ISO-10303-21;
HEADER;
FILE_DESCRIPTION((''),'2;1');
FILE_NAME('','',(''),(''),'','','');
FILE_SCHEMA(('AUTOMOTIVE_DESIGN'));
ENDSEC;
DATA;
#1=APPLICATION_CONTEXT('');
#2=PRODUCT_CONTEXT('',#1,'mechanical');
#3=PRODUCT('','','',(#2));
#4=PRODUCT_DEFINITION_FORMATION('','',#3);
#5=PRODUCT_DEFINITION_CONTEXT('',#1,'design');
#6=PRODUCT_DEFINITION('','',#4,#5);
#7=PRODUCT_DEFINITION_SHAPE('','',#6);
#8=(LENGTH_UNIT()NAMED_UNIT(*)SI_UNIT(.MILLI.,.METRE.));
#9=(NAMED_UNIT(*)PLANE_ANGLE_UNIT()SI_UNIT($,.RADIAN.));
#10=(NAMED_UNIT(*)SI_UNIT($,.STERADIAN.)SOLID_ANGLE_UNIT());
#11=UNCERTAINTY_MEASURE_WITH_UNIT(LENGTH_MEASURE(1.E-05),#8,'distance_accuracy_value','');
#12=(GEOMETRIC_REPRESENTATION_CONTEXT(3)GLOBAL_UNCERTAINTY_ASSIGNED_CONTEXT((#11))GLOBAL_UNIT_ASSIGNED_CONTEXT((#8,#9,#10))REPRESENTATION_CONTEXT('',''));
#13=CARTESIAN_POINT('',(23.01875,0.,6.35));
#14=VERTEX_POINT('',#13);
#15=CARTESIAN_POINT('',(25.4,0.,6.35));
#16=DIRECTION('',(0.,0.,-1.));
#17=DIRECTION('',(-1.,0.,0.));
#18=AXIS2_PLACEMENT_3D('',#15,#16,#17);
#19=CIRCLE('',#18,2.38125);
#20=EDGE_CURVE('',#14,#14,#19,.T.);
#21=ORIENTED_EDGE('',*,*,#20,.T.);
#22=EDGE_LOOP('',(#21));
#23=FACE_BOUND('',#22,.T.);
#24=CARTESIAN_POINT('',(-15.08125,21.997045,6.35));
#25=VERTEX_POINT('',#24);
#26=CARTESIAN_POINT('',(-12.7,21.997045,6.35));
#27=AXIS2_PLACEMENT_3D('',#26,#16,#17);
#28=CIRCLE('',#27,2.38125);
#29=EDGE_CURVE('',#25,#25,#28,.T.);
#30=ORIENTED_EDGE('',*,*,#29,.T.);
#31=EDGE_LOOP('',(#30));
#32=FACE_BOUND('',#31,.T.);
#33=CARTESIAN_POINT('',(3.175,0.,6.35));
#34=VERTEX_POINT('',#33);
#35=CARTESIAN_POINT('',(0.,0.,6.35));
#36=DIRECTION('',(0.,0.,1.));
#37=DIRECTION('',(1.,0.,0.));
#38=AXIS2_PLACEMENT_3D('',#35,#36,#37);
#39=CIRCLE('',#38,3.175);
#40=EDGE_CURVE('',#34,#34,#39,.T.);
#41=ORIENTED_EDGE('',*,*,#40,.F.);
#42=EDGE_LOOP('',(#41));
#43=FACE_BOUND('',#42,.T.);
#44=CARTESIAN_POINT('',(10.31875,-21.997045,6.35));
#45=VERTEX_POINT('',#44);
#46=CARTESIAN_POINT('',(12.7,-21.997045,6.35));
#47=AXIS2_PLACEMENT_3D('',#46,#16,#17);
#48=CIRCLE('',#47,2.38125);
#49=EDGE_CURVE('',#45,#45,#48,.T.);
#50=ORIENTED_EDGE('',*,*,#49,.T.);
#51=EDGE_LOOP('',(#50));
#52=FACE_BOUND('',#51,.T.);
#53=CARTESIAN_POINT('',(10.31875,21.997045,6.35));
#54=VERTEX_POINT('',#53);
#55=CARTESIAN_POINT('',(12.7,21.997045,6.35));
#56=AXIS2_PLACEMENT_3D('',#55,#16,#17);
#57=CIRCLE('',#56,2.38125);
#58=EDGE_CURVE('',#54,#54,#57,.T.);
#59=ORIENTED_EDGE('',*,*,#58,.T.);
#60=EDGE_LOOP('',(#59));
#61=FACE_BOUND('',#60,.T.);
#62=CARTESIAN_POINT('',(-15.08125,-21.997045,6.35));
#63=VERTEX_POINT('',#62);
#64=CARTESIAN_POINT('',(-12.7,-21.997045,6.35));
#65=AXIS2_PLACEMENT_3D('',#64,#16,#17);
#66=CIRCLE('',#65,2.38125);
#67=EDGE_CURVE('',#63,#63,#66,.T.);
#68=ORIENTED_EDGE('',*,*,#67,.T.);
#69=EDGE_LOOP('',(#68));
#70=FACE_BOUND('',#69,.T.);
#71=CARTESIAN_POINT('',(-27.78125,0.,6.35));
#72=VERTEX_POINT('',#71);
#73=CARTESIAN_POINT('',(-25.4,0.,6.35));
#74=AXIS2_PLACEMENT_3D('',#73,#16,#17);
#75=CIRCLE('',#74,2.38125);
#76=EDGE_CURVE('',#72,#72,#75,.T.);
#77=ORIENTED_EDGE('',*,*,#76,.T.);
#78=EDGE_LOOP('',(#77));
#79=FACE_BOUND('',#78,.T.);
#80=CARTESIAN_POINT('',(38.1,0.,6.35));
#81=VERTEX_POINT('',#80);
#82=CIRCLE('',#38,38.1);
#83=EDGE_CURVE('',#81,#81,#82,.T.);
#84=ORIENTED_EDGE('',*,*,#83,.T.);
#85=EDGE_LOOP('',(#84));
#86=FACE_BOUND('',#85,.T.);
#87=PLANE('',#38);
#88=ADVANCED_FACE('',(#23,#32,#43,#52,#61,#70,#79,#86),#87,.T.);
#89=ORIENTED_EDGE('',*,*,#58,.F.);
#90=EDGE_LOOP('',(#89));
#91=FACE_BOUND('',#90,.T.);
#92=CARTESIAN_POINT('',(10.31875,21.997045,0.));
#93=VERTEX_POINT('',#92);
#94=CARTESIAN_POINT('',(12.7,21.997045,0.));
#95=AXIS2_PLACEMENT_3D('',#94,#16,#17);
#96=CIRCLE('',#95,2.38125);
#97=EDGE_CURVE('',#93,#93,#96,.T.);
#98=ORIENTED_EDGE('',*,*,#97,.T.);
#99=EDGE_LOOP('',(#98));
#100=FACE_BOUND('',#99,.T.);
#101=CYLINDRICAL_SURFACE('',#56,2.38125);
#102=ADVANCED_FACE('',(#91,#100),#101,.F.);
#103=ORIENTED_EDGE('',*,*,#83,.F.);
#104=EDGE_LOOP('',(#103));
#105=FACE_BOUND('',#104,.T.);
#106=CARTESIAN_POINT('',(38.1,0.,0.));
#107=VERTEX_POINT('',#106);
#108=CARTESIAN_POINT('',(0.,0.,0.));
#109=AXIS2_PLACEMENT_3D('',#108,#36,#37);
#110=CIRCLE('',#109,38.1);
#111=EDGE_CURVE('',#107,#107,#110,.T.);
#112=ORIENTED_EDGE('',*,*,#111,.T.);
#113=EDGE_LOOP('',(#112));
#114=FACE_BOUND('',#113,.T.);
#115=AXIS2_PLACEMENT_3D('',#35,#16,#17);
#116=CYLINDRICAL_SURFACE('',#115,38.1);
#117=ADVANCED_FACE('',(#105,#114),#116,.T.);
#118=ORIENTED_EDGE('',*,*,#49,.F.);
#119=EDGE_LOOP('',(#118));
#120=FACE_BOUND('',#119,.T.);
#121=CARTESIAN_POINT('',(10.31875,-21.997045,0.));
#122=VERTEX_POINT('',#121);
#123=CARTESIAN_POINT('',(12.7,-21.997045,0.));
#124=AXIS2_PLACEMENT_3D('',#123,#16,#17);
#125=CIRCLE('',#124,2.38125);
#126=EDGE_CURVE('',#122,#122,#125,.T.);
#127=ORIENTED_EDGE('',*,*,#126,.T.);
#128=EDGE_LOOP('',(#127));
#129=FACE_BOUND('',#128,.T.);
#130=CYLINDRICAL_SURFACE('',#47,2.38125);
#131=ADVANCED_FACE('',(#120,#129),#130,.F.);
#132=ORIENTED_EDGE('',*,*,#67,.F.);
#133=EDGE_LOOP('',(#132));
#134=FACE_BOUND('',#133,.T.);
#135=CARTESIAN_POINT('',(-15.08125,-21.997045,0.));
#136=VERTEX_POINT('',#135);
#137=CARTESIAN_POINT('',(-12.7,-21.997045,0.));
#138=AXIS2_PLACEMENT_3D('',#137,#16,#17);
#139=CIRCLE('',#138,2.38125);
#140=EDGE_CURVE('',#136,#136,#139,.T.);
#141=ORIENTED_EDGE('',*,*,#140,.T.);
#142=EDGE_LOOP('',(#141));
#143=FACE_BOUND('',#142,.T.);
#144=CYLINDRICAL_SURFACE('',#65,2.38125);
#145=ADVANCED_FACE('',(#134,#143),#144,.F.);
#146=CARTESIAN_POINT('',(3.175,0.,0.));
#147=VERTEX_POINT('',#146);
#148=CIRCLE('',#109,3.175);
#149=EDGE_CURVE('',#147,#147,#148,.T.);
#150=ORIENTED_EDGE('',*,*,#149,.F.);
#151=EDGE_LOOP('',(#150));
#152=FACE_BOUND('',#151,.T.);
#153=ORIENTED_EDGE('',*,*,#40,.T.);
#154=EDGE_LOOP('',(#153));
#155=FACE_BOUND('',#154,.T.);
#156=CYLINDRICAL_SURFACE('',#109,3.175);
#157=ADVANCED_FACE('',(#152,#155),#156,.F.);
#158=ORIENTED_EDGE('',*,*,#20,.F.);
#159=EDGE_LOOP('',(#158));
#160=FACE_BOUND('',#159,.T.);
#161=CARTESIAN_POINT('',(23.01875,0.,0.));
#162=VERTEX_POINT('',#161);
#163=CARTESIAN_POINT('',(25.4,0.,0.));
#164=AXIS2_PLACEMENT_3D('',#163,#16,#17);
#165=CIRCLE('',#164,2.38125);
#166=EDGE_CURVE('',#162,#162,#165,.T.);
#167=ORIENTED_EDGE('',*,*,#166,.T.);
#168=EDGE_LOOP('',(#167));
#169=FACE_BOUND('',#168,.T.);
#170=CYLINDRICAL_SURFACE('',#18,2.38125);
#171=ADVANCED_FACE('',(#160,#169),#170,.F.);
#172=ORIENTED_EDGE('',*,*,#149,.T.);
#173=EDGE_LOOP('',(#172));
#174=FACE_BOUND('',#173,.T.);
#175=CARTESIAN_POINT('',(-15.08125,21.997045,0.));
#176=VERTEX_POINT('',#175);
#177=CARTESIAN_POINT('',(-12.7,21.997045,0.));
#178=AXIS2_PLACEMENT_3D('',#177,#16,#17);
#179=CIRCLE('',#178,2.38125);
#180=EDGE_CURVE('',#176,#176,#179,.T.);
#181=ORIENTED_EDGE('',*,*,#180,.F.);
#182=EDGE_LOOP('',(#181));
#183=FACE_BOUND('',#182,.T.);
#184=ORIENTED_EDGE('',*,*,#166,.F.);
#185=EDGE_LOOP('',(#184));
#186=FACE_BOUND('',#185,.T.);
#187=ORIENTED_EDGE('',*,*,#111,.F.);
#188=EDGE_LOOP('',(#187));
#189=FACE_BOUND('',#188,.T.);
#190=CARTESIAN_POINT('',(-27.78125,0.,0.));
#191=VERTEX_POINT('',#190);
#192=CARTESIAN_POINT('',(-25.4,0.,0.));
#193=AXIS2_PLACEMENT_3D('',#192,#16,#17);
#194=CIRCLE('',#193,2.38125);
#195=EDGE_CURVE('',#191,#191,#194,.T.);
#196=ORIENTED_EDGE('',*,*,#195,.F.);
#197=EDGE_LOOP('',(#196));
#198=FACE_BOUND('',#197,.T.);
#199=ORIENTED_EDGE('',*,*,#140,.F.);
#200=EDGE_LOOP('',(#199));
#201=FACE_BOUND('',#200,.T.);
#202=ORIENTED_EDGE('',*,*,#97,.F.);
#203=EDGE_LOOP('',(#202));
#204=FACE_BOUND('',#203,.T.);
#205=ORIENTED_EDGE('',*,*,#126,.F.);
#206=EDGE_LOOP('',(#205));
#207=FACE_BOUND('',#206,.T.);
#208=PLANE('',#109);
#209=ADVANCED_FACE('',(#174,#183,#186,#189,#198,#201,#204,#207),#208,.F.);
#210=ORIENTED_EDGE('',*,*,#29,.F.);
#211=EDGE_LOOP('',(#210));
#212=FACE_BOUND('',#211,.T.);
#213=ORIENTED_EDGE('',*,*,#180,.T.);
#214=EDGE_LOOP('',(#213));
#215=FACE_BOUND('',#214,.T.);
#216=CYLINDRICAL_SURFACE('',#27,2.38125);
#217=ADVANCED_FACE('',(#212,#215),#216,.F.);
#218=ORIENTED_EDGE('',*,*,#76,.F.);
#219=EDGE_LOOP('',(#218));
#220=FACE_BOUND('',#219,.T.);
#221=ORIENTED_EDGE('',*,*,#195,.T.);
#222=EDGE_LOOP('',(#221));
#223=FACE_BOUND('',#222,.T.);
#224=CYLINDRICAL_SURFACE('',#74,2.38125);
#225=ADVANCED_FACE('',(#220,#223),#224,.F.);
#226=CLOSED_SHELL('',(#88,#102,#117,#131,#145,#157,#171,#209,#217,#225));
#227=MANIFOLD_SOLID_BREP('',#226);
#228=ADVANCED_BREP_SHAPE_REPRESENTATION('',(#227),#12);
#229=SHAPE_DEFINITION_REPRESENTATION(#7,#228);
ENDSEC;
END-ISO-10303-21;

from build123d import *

# Parameters (mm, degrees)
SKETCH1_R           = 38.1
BOSS_EXTRUDE1_DEPTH = 6.35
SKETCH4_R           = 2.38125
CUT_EXTRUDE2_DEPTH  = 55.254423783
SKETCH2_R           = 3.175
CUT_EXTRUDE3_DEPTH  = 55.254423783


with BuildPart() as part:
    # Sketch1 → Boss-Extrude1 (new body)
    with BuildSketch(Plane.XY):
        Circle(SKETCH1_R)
    extrude(amount=BOSS_EXTRUDE1_DEPTH)

    # Sketch4 → Cut-Extrude2 (cut, through all)
    with BuildSketch(Plane(origin=(0, 0, 0), x_dir=(-1, 0, 0), z_dir=(0, 0, -1))):
        with Locations((-25.4, 0)):
            Circle(SKETCH4_R)
        with Locations((-12.7, 21.997045256)):
            Circle(SKETCH4_R)
        with Locations((12.7, 21.997045256)):
            Circle(SKETCH4_R)
        with Locations((25.4, 0)):
            Circle(SKETCH4_R)
        with Locations((12.7, -21.997045256)):
            Circle(SKETCH4_R)
        with Locations((-12.7, -21.997045256)):
            Circle(SKETCH4_R)
    extrude(amount=-CUT_EXTRUDE2_DEPTH, mode=Mode.SUBTRACT)

    # Sketch2 → Cut-Extrude3 (cut, through all)
    with BuildSketch(Plane.XY.offset(6.35)):
        Circle(SKETCH2_R)
    extrude(amount=-CUT_EXTRUDE3_DEPTH, mode=Mode.SUBTRACT)


solid = part.part
